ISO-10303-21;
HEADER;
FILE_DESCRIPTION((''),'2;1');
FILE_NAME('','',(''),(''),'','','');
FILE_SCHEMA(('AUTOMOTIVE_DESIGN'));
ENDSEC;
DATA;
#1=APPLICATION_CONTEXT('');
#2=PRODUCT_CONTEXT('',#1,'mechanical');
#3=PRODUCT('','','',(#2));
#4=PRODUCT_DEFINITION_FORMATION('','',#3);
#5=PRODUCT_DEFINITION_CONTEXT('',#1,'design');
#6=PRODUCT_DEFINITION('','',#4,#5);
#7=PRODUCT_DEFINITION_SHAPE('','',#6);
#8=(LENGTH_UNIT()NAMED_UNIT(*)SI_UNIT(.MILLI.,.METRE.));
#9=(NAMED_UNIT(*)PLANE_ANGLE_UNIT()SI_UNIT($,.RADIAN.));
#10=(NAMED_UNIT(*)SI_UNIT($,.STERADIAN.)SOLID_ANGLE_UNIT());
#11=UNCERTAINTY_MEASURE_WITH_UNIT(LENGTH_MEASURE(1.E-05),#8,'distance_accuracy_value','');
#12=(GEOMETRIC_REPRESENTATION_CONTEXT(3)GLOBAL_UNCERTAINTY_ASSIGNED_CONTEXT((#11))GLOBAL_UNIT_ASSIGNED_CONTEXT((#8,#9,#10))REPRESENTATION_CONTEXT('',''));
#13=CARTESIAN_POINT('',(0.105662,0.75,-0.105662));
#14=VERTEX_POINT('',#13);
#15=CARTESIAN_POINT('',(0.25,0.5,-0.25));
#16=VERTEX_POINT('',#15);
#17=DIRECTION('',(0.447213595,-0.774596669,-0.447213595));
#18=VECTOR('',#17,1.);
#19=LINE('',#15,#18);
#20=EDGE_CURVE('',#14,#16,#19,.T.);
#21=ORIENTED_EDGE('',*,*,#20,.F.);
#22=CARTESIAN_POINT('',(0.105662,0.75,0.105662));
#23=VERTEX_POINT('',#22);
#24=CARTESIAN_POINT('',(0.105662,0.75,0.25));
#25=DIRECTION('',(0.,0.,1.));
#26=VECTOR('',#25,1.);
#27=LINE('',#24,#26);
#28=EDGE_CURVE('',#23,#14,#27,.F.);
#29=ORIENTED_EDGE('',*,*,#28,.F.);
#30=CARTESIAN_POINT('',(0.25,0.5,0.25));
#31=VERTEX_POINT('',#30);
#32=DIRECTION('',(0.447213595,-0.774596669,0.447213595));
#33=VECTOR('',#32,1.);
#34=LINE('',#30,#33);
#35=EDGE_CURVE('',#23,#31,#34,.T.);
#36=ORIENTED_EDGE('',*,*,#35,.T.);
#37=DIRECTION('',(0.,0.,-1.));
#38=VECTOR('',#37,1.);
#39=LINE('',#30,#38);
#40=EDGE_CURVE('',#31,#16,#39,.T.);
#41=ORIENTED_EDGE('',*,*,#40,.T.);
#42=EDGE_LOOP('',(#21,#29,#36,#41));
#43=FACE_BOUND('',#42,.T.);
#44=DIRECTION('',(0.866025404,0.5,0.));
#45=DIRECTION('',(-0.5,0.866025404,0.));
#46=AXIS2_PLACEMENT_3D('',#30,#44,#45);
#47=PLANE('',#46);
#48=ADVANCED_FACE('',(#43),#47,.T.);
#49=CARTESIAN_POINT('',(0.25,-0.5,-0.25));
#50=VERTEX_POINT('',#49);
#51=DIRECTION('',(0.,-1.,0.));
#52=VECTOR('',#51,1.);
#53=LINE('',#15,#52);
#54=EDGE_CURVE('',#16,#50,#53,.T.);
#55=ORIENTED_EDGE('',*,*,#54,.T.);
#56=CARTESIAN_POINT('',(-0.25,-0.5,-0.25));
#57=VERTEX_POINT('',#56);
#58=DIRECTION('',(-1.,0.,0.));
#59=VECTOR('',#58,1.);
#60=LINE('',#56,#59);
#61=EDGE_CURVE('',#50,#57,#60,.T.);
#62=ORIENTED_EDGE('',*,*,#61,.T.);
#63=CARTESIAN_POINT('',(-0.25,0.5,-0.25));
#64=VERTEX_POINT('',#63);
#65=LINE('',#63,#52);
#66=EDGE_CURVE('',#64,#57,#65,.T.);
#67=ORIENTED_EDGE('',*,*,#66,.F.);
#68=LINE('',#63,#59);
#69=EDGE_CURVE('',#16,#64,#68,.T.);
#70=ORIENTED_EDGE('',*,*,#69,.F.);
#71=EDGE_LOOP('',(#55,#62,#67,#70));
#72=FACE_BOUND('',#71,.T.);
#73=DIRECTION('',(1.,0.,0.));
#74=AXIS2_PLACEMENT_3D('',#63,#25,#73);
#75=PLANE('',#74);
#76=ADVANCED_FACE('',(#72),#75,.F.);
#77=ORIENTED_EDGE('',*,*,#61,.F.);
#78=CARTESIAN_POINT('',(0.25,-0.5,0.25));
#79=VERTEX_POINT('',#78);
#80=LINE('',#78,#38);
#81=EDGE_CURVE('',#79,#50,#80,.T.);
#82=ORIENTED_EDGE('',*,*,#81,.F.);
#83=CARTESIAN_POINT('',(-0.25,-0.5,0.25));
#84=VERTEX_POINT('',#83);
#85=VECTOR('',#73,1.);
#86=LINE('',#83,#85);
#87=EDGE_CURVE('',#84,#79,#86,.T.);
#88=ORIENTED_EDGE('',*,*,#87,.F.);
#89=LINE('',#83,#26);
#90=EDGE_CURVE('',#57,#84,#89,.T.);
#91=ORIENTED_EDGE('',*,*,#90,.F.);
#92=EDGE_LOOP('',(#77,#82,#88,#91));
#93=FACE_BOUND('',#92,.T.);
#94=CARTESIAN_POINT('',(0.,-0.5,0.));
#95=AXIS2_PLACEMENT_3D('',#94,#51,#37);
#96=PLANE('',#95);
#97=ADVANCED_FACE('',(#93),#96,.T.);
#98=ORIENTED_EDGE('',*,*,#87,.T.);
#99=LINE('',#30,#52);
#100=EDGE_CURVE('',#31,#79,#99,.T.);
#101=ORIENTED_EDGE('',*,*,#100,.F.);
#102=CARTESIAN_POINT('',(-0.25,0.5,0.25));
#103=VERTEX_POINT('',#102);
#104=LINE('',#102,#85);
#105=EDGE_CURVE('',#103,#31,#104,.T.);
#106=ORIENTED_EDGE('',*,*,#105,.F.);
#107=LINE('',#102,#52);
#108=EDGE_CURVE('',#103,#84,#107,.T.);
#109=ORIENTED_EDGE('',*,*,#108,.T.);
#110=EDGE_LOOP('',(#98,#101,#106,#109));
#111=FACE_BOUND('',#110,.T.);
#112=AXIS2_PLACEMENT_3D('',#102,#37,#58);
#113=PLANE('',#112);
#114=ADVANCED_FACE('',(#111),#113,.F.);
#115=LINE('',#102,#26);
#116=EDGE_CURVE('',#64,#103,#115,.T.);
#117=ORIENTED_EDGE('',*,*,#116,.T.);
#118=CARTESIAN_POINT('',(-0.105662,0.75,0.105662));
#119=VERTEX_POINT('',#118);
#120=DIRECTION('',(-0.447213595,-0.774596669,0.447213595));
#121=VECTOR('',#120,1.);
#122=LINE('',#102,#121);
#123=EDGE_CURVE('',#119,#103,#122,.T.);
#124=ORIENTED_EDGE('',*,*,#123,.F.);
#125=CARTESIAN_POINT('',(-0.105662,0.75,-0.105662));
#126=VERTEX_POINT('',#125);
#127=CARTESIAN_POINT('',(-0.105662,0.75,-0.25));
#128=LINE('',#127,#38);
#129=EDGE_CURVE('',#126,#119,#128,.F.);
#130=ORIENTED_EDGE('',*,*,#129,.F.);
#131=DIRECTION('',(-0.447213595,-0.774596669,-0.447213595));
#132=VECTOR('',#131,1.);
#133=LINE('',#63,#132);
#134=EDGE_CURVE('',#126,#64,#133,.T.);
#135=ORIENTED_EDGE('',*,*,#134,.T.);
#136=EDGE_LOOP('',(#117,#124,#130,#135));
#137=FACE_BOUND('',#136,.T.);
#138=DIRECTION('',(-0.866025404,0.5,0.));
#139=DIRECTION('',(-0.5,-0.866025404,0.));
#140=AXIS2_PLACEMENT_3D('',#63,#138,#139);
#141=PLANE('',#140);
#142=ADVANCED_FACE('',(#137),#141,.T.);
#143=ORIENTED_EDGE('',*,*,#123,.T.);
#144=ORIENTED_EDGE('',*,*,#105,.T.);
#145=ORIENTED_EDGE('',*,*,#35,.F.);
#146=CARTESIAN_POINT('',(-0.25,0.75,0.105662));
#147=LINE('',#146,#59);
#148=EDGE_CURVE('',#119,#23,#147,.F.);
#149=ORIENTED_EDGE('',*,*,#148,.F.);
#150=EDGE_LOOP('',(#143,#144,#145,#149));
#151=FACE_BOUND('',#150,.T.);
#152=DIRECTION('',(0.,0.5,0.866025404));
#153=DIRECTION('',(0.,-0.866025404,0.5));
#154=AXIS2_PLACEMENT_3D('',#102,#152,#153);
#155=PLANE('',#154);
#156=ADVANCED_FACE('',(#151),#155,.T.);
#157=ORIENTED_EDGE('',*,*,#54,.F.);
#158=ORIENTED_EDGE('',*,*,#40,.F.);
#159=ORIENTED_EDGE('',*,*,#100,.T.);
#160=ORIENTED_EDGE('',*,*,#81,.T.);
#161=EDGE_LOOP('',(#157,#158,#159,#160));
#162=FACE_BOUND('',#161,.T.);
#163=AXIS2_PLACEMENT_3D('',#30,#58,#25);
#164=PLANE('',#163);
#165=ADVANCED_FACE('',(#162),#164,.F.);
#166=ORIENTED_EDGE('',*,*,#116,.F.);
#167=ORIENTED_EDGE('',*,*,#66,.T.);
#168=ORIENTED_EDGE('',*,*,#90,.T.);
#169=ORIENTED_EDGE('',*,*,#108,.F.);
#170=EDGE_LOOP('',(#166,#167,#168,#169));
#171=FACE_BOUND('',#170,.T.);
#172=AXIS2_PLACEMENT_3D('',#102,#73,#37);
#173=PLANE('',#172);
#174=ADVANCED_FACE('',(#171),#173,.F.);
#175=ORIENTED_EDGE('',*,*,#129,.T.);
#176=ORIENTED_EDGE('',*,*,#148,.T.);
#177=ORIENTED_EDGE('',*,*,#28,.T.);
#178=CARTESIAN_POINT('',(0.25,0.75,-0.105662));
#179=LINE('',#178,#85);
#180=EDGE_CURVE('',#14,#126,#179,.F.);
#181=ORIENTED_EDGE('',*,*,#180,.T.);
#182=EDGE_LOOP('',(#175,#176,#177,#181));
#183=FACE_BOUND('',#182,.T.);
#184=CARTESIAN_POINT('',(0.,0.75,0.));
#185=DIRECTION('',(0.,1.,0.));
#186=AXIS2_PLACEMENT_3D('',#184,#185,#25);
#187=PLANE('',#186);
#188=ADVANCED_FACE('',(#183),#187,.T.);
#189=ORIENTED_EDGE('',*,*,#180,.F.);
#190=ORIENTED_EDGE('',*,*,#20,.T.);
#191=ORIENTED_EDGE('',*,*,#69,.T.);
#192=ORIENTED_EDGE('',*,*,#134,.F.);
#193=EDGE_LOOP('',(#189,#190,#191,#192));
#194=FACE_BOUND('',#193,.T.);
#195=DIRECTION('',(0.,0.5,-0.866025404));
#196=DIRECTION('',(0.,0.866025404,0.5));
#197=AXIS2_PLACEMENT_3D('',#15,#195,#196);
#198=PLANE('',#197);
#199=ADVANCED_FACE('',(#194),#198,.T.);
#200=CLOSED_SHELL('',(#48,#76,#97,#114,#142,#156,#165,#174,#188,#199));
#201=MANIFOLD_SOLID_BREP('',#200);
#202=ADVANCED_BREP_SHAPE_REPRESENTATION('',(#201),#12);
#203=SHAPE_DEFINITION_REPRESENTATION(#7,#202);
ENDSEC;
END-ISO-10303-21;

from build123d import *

# Parameters (mm, degrees)
SKETCH1_W           = 0.5
SKETCH1_H           = 0.5
BOSS_EXTRUDE1_DEPTH = 0.5
SKETCH2_W           = 0.5
SKETCH2_H           = 0.5
BOSS_EXTRUDE2_DEPTH = 0.25
BOSS_EXTRUDE2_TAPER = 30


with BuildPart() as part:
    # Sketch1 → Boss-Extrude1 (new body, symmetric)
    with BuildSketch(Plane(origin=(0, 0, 0), x_dir=(1, 0, 0), z_dir=(0, 1, 0))):
        Rectangle(SKETCH1_W, SKETCH1_H)
    extrude(amount=BOSS_EXTRUDE1_DEPTH, both=True)

    # Sketch2 → Boss-Extrude2 (add)
    with BuildSketch(Plane(origin=(0, 0.5, 0), x_dir=(1, 0, 0), z_dir=(0, 1, 0))):
        Rectangle(SKETCH2_W, SKETCH2_H)
    extrude(amount=BOSS_EXTRUDE2_DEPTH, taper=BOSS_EXTRUDE2_TAPER)


solid = part.part
